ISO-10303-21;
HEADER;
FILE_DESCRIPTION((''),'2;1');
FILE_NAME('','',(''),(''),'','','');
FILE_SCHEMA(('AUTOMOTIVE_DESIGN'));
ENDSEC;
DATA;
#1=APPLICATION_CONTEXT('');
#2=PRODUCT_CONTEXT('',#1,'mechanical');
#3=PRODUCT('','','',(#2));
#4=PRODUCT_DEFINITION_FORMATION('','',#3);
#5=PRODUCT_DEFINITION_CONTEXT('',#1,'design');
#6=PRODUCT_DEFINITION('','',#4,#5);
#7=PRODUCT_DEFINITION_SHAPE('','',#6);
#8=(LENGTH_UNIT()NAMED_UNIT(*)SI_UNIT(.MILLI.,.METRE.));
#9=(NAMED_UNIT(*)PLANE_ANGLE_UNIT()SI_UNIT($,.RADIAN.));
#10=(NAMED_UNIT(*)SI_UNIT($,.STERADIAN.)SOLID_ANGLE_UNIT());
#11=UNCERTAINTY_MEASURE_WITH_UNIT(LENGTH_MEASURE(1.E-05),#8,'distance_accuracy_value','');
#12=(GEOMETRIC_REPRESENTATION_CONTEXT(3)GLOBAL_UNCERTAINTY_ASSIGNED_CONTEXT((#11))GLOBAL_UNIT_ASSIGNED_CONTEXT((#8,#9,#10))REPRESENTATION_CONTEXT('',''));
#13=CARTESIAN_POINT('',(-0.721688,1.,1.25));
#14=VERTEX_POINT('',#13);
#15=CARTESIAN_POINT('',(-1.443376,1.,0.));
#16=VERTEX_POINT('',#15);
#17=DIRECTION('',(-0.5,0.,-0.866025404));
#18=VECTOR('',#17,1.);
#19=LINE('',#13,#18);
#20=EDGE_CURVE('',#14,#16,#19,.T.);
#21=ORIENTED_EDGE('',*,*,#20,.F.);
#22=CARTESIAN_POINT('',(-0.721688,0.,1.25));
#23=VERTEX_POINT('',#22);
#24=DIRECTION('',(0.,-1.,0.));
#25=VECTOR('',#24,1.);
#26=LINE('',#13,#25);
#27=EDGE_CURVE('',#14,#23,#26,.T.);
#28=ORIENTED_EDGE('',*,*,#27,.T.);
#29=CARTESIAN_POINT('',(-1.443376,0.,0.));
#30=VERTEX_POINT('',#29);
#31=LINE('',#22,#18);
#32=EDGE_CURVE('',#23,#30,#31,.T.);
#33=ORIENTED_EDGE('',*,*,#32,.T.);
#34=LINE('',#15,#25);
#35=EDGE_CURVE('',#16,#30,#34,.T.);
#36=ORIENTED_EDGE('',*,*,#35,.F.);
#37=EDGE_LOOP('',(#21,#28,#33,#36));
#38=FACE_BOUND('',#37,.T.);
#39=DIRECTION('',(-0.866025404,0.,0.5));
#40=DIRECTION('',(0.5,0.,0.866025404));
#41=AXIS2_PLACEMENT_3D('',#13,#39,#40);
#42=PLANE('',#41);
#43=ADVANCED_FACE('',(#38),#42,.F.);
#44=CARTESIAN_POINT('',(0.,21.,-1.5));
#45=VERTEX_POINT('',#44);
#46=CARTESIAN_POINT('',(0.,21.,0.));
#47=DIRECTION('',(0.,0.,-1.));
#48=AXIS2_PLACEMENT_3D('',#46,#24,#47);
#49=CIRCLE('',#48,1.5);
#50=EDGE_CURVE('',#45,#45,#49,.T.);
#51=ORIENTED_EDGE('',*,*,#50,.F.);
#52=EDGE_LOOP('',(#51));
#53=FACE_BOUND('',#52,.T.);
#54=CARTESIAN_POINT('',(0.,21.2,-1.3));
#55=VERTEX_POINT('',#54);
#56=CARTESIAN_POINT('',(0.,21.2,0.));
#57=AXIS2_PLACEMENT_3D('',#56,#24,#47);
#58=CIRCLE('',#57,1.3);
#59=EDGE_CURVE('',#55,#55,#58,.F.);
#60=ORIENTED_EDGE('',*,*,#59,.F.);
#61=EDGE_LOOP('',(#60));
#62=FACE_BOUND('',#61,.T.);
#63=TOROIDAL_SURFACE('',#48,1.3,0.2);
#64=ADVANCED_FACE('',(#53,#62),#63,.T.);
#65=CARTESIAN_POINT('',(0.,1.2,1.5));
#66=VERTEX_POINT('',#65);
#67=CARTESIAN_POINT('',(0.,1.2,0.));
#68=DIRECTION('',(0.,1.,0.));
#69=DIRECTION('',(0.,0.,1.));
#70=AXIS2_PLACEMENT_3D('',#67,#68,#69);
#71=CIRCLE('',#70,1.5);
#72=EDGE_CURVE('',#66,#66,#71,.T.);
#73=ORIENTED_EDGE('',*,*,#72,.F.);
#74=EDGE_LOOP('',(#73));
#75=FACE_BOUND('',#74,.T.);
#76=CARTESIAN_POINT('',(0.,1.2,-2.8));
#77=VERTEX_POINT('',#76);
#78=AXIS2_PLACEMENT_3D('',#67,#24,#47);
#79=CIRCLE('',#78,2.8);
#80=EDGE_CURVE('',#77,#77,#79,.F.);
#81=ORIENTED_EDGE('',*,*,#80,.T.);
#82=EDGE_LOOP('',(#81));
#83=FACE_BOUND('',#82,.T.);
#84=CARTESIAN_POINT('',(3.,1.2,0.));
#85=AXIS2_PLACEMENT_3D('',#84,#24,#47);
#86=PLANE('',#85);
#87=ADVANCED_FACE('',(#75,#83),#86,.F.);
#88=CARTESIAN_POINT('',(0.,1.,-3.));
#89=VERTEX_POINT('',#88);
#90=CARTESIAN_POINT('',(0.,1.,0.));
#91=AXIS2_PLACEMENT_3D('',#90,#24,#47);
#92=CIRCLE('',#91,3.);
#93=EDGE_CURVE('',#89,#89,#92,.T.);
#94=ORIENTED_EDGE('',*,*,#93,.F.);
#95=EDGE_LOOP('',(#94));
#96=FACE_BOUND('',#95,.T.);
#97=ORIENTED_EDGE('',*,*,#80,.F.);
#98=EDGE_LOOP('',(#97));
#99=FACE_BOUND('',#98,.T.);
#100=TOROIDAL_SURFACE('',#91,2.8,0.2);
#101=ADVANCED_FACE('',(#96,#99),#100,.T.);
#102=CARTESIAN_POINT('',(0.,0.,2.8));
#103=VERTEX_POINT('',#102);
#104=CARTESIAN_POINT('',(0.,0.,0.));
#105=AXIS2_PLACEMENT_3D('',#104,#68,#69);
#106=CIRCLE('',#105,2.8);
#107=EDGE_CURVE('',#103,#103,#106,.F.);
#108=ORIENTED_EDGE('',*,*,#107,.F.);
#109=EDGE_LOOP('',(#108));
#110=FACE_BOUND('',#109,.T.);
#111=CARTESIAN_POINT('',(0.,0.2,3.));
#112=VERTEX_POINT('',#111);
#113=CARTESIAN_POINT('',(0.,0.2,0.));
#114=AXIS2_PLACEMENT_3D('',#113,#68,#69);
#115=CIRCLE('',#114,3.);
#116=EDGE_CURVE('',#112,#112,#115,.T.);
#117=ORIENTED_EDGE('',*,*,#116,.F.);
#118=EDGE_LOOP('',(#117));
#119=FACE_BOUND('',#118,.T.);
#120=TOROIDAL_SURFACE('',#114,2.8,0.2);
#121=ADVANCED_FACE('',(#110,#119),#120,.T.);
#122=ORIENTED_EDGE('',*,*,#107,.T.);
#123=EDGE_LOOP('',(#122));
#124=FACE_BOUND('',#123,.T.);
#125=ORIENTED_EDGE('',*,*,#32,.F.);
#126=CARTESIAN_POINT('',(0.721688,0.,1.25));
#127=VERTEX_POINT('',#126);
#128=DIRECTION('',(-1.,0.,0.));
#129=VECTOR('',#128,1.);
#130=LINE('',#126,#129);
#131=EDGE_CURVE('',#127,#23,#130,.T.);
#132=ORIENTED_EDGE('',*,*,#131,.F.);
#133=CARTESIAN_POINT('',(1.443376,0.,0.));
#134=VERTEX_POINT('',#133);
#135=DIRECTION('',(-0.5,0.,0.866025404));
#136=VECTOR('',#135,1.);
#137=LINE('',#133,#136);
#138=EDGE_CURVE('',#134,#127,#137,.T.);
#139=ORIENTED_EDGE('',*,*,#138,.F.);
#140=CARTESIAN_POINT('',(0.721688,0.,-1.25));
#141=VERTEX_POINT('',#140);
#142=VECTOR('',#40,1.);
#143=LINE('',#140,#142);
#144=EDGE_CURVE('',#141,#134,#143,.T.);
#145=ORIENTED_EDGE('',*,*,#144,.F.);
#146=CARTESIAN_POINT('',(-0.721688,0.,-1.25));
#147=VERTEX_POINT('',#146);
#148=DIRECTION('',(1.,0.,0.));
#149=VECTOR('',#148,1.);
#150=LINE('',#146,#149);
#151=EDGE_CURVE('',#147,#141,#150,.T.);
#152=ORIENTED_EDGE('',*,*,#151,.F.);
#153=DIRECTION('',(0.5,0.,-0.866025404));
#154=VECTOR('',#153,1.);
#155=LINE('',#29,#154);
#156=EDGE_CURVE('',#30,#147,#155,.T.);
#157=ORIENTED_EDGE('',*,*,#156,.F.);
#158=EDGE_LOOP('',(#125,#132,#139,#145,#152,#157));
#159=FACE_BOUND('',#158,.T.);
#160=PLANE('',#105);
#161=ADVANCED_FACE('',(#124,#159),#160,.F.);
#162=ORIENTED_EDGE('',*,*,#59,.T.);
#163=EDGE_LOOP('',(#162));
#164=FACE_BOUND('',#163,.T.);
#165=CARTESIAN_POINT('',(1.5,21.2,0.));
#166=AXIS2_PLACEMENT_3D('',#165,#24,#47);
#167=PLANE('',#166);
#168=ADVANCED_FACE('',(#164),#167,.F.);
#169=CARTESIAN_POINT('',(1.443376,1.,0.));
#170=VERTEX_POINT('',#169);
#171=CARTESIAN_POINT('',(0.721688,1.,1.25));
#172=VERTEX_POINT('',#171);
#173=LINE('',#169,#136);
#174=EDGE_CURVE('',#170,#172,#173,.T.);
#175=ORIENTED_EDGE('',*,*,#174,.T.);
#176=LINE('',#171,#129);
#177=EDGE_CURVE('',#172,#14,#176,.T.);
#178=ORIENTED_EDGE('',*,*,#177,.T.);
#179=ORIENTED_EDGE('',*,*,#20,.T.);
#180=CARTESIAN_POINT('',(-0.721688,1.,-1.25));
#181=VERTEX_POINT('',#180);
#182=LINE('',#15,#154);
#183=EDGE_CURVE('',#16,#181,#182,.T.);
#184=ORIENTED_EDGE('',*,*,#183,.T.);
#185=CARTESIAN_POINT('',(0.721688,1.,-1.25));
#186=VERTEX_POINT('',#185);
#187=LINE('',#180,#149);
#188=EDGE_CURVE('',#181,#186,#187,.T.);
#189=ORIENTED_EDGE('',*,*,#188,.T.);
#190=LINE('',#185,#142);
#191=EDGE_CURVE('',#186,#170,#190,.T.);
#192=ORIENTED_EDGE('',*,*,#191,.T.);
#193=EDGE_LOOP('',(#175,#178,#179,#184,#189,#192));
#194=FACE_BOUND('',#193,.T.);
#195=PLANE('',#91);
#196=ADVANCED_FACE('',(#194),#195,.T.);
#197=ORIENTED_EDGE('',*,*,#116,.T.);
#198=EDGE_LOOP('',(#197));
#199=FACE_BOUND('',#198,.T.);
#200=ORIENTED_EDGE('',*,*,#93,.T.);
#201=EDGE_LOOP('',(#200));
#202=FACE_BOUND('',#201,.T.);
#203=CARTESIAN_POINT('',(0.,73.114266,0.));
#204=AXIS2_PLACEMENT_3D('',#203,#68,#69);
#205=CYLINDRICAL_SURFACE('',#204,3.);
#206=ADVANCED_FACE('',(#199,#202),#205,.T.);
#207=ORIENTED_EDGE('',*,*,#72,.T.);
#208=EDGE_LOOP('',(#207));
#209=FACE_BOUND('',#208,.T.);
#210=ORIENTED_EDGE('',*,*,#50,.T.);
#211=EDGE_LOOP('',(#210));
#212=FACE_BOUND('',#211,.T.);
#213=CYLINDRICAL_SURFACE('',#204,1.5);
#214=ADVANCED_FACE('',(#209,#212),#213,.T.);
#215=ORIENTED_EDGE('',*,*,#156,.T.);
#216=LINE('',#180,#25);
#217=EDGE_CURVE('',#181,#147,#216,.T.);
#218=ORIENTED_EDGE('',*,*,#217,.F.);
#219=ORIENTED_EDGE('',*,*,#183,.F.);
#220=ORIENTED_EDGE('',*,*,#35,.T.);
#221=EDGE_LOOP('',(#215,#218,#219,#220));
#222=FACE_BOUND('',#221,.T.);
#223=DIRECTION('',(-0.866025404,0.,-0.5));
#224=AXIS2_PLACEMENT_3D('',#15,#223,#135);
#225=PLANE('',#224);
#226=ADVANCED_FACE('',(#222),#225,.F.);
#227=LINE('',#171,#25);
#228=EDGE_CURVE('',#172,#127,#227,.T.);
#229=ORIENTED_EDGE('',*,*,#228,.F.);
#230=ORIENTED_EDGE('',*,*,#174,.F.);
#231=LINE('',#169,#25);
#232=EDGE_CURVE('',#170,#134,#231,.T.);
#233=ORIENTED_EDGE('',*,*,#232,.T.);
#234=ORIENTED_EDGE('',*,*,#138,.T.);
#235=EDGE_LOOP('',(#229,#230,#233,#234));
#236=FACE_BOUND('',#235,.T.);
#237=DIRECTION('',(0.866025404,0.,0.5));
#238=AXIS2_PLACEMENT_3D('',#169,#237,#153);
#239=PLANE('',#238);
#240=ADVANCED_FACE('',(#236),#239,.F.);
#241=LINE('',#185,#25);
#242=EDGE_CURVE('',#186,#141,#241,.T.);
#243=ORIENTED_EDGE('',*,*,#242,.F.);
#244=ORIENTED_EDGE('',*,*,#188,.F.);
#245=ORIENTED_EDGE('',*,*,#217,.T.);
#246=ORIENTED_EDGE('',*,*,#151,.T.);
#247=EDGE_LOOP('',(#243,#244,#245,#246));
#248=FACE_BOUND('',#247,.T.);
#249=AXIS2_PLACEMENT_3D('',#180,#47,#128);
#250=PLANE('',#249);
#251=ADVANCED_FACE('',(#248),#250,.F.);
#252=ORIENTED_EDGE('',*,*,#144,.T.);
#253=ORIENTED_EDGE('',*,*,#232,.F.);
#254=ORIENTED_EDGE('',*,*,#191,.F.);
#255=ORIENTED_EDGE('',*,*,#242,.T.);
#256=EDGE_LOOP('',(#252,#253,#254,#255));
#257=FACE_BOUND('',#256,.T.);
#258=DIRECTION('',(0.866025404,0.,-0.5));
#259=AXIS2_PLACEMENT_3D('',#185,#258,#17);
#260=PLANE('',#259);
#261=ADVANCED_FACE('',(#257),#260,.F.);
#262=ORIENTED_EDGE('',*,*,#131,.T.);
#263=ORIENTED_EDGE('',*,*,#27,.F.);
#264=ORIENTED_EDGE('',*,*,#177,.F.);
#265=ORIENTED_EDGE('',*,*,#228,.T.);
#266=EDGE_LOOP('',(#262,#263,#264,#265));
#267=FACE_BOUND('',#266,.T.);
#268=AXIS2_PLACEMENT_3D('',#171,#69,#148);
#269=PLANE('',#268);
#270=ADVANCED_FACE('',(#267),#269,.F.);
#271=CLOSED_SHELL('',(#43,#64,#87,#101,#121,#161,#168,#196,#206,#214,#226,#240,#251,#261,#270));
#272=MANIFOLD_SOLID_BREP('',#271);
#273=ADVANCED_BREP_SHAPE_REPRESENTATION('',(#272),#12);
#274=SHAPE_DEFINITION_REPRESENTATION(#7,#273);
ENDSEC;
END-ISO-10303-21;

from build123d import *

# Parameters (mm, degrees)
FILLET1_R          = 0.2
CUT_EXTRUDE1_DEPTH = 1


with BuildPart() as part:
    # Sketch2 → Revolve1 (revolve)
    with BuildSketch(Plane.XY, mode=Mode.PRIVATE) as revolve1_sk:
        Polygon((0, 0), (3, 0), (3, 1.2), (1.5, 1.2), (1.5, 21.2), (0, 21.2), align=None)
    revolve(revolve1_sk.sketch.rotate(Axis((0, 73.114266362, 0), (0, -1, 0)), 90), axis=Axis((0, 73.114266362, 0), (0, -1, 0)))

    # Fillet1
    fillet1_edges = [part.edges().sort_by_distance(p)[0] for p in [
        (0, 21.2, -1.5),
        (0, 1.2, -3),
        (0, 0, -3),
    ]]
    fillet(fillet1_edges, radius=FILLET1_R)

    # Sketch3 → Cut-Extrude1 (cut)
    with BuildSketch(Plane.XZ):
        Polygon((1.443375673, 0), (0.721687836, 1.25), (-0.721687836, 1.25), (-1.443375673, 0), (-0.721687836, -1.25), (0.721687836, -1.25), align=None)
    extrude(amount=-CUT_EXTRUDE1_DEPTH, mode=Mode.SUBTRACT)


solid = part.part
